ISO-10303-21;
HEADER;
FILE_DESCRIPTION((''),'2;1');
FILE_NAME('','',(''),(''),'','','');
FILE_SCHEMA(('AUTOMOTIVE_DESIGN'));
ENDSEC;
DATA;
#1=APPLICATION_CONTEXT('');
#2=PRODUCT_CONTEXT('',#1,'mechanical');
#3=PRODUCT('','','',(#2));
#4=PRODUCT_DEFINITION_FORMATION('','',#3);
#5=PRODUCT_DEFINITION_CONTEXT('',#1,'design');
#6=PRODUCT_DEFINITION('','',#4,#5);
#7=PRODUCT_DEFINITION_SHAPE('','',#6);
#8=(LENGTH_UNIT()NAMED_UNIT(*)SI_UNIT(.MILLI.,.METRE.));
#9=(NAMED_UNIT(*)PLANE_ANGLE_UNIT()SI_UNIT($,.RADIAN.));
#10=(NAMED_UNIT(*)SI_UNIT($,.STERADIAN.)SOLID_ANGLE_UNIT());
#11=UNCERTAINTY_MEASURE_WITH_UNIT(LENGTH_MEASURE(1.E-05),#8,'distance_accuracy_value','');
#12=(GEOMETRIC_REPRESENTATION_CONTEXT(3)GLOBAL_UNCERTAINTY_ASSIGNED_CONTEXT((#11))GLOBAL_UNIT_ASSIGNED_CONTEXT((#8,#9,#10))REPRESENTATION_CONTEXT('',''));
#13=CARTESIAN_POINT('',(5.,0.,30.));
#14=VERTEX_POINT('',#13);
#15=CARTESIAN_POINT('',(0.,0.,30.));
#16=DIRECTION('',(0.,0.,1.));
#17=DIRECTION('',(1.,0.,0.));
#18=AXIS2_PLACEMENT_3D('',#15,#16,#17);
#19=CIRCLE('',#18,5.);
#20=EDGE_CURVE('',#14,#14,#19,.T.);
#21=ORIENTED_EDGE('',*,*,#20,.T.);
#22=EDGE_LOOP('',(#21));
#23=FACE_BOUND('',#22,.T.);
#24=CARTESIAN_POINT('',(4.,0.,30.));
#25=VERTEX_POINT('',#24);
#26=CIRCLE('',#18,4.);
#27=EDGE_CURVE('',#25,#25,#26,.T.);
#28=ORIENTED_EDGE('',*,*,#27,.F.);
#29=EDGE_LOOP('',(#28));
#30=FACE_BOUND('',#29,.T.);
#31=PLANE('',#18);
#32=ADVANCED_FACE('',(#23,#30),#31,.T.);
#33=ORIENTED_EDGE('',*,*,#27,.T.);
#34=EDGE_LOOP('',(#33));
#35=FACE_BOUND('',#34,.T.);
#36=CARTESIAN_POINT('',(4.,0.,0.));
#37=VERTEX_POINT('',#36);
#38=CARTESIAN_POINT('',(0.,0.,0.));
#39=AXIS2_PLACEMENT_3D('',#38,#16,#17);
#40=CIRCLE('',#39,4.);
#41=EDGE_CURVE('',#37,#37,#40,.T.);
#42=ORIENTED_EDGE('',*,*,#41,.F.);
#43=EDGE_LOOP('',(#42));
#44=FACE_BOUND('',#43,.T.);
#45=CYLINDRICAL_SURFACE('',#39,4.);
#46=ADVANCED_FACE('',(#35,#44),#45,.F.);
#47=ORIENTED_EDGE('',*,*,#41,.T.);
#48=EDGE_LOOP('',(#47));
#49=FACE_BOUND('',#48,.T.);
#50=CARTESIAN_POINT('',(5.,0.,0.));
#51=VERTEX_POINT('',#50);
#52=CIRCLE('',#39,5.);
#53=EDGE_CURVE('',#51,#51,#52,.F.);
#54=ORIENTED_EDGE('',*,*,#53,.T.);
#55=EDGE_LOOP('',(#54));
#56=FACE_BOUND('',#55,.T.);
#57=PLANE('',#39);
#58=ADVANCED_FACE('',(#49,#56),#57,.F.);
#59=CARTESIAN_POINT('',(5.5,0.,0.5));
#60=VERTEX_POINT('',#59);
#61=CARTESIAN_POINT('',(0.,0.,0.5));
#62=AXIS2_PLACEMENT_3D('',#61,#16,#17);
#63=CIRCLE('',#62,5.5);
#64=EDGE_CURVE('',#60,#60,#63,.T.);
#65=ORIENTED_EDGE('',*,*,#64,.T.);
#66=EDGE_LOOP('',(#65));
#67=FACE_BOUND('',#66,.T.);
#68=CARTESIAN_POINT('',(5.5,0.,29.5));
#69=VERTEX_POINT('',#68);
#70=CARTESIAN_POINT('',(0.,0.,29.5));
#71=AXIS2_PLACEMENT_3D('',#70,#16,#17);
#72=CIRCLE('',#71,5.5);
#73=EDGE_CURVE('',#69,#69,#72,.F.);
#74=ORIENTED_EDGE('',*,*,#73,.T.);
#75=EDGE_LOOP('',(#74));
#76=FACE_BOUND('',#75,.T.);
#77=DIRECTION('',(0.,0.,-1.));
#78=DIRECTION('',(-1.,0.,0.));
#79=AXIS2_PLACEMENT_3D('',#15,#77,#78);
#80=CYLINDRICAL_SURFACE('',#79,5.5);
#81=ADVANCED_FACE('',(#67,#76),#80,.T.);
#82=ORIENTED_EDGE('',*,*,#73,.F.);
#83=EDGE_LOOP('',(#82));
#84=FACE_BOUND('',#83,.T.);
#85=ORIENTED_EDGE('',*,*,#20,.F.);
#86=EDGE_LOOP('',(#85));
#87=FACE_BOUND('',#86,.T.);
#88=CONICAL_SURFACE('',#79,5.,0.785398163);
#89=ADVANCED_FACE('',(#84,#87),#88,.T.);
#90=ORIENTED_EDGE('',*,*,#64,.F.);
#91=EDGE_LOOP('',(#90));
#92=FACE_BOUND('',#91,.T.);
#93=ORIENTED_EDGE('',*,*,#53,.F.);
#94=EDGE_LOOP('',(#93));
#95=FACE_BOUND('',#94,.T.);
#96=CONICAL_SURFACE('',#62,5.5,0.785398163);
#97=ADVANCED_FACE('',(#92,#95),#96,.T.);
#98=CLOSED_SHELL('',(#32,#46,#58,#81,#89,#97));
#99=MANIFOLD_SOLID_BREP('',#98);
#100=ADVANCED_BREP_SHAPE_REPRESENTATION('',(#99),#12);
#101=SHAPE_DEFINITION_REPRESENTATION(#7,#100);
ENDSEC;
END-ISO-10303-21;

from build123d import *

# Parameters (mm, degrees)
SCHIZZO1_R                   = 5.5
ESTRUSIONE_ESTRUSIONE1_DEPTH = 30
SCHIZZO2_R                   = 4
TAGLIO_ESTRUSIONE1_DEPTH     = 31
SMUSSO1_SIZE                 = 0.5


with BuildPart() as part:
    # Schizzo1 → Estrusione-Estrusione1 (new body)
    with BuildSketch(Plane.XY):
        Circle(SCHIZZO1_R)
    extrude(amount=ESTRUSIONE_ESTRUSIONE1_DEPTH)

    # Schizzo2 → Taglio-Estrusione1 (cut, through all)
    with BuildSketch(Plane.XY.offset(30)):
        Circle(SCHIZZO2_R)
    extrude(amount=-TAGLIO_ESTRUSIONE1_DEPTH, mode=Mode.SUBTRACT)

    # Smusso1
    smusso1_edges = [part.edges().sort_by_distance(p)[0] for p in [
        (-5.5, 0, 0),
        (-5.5, 0, 30),
    ]]
    chamfer(smusso1_edges, length=SMUSSO1_SIZE)


solid = part.part
